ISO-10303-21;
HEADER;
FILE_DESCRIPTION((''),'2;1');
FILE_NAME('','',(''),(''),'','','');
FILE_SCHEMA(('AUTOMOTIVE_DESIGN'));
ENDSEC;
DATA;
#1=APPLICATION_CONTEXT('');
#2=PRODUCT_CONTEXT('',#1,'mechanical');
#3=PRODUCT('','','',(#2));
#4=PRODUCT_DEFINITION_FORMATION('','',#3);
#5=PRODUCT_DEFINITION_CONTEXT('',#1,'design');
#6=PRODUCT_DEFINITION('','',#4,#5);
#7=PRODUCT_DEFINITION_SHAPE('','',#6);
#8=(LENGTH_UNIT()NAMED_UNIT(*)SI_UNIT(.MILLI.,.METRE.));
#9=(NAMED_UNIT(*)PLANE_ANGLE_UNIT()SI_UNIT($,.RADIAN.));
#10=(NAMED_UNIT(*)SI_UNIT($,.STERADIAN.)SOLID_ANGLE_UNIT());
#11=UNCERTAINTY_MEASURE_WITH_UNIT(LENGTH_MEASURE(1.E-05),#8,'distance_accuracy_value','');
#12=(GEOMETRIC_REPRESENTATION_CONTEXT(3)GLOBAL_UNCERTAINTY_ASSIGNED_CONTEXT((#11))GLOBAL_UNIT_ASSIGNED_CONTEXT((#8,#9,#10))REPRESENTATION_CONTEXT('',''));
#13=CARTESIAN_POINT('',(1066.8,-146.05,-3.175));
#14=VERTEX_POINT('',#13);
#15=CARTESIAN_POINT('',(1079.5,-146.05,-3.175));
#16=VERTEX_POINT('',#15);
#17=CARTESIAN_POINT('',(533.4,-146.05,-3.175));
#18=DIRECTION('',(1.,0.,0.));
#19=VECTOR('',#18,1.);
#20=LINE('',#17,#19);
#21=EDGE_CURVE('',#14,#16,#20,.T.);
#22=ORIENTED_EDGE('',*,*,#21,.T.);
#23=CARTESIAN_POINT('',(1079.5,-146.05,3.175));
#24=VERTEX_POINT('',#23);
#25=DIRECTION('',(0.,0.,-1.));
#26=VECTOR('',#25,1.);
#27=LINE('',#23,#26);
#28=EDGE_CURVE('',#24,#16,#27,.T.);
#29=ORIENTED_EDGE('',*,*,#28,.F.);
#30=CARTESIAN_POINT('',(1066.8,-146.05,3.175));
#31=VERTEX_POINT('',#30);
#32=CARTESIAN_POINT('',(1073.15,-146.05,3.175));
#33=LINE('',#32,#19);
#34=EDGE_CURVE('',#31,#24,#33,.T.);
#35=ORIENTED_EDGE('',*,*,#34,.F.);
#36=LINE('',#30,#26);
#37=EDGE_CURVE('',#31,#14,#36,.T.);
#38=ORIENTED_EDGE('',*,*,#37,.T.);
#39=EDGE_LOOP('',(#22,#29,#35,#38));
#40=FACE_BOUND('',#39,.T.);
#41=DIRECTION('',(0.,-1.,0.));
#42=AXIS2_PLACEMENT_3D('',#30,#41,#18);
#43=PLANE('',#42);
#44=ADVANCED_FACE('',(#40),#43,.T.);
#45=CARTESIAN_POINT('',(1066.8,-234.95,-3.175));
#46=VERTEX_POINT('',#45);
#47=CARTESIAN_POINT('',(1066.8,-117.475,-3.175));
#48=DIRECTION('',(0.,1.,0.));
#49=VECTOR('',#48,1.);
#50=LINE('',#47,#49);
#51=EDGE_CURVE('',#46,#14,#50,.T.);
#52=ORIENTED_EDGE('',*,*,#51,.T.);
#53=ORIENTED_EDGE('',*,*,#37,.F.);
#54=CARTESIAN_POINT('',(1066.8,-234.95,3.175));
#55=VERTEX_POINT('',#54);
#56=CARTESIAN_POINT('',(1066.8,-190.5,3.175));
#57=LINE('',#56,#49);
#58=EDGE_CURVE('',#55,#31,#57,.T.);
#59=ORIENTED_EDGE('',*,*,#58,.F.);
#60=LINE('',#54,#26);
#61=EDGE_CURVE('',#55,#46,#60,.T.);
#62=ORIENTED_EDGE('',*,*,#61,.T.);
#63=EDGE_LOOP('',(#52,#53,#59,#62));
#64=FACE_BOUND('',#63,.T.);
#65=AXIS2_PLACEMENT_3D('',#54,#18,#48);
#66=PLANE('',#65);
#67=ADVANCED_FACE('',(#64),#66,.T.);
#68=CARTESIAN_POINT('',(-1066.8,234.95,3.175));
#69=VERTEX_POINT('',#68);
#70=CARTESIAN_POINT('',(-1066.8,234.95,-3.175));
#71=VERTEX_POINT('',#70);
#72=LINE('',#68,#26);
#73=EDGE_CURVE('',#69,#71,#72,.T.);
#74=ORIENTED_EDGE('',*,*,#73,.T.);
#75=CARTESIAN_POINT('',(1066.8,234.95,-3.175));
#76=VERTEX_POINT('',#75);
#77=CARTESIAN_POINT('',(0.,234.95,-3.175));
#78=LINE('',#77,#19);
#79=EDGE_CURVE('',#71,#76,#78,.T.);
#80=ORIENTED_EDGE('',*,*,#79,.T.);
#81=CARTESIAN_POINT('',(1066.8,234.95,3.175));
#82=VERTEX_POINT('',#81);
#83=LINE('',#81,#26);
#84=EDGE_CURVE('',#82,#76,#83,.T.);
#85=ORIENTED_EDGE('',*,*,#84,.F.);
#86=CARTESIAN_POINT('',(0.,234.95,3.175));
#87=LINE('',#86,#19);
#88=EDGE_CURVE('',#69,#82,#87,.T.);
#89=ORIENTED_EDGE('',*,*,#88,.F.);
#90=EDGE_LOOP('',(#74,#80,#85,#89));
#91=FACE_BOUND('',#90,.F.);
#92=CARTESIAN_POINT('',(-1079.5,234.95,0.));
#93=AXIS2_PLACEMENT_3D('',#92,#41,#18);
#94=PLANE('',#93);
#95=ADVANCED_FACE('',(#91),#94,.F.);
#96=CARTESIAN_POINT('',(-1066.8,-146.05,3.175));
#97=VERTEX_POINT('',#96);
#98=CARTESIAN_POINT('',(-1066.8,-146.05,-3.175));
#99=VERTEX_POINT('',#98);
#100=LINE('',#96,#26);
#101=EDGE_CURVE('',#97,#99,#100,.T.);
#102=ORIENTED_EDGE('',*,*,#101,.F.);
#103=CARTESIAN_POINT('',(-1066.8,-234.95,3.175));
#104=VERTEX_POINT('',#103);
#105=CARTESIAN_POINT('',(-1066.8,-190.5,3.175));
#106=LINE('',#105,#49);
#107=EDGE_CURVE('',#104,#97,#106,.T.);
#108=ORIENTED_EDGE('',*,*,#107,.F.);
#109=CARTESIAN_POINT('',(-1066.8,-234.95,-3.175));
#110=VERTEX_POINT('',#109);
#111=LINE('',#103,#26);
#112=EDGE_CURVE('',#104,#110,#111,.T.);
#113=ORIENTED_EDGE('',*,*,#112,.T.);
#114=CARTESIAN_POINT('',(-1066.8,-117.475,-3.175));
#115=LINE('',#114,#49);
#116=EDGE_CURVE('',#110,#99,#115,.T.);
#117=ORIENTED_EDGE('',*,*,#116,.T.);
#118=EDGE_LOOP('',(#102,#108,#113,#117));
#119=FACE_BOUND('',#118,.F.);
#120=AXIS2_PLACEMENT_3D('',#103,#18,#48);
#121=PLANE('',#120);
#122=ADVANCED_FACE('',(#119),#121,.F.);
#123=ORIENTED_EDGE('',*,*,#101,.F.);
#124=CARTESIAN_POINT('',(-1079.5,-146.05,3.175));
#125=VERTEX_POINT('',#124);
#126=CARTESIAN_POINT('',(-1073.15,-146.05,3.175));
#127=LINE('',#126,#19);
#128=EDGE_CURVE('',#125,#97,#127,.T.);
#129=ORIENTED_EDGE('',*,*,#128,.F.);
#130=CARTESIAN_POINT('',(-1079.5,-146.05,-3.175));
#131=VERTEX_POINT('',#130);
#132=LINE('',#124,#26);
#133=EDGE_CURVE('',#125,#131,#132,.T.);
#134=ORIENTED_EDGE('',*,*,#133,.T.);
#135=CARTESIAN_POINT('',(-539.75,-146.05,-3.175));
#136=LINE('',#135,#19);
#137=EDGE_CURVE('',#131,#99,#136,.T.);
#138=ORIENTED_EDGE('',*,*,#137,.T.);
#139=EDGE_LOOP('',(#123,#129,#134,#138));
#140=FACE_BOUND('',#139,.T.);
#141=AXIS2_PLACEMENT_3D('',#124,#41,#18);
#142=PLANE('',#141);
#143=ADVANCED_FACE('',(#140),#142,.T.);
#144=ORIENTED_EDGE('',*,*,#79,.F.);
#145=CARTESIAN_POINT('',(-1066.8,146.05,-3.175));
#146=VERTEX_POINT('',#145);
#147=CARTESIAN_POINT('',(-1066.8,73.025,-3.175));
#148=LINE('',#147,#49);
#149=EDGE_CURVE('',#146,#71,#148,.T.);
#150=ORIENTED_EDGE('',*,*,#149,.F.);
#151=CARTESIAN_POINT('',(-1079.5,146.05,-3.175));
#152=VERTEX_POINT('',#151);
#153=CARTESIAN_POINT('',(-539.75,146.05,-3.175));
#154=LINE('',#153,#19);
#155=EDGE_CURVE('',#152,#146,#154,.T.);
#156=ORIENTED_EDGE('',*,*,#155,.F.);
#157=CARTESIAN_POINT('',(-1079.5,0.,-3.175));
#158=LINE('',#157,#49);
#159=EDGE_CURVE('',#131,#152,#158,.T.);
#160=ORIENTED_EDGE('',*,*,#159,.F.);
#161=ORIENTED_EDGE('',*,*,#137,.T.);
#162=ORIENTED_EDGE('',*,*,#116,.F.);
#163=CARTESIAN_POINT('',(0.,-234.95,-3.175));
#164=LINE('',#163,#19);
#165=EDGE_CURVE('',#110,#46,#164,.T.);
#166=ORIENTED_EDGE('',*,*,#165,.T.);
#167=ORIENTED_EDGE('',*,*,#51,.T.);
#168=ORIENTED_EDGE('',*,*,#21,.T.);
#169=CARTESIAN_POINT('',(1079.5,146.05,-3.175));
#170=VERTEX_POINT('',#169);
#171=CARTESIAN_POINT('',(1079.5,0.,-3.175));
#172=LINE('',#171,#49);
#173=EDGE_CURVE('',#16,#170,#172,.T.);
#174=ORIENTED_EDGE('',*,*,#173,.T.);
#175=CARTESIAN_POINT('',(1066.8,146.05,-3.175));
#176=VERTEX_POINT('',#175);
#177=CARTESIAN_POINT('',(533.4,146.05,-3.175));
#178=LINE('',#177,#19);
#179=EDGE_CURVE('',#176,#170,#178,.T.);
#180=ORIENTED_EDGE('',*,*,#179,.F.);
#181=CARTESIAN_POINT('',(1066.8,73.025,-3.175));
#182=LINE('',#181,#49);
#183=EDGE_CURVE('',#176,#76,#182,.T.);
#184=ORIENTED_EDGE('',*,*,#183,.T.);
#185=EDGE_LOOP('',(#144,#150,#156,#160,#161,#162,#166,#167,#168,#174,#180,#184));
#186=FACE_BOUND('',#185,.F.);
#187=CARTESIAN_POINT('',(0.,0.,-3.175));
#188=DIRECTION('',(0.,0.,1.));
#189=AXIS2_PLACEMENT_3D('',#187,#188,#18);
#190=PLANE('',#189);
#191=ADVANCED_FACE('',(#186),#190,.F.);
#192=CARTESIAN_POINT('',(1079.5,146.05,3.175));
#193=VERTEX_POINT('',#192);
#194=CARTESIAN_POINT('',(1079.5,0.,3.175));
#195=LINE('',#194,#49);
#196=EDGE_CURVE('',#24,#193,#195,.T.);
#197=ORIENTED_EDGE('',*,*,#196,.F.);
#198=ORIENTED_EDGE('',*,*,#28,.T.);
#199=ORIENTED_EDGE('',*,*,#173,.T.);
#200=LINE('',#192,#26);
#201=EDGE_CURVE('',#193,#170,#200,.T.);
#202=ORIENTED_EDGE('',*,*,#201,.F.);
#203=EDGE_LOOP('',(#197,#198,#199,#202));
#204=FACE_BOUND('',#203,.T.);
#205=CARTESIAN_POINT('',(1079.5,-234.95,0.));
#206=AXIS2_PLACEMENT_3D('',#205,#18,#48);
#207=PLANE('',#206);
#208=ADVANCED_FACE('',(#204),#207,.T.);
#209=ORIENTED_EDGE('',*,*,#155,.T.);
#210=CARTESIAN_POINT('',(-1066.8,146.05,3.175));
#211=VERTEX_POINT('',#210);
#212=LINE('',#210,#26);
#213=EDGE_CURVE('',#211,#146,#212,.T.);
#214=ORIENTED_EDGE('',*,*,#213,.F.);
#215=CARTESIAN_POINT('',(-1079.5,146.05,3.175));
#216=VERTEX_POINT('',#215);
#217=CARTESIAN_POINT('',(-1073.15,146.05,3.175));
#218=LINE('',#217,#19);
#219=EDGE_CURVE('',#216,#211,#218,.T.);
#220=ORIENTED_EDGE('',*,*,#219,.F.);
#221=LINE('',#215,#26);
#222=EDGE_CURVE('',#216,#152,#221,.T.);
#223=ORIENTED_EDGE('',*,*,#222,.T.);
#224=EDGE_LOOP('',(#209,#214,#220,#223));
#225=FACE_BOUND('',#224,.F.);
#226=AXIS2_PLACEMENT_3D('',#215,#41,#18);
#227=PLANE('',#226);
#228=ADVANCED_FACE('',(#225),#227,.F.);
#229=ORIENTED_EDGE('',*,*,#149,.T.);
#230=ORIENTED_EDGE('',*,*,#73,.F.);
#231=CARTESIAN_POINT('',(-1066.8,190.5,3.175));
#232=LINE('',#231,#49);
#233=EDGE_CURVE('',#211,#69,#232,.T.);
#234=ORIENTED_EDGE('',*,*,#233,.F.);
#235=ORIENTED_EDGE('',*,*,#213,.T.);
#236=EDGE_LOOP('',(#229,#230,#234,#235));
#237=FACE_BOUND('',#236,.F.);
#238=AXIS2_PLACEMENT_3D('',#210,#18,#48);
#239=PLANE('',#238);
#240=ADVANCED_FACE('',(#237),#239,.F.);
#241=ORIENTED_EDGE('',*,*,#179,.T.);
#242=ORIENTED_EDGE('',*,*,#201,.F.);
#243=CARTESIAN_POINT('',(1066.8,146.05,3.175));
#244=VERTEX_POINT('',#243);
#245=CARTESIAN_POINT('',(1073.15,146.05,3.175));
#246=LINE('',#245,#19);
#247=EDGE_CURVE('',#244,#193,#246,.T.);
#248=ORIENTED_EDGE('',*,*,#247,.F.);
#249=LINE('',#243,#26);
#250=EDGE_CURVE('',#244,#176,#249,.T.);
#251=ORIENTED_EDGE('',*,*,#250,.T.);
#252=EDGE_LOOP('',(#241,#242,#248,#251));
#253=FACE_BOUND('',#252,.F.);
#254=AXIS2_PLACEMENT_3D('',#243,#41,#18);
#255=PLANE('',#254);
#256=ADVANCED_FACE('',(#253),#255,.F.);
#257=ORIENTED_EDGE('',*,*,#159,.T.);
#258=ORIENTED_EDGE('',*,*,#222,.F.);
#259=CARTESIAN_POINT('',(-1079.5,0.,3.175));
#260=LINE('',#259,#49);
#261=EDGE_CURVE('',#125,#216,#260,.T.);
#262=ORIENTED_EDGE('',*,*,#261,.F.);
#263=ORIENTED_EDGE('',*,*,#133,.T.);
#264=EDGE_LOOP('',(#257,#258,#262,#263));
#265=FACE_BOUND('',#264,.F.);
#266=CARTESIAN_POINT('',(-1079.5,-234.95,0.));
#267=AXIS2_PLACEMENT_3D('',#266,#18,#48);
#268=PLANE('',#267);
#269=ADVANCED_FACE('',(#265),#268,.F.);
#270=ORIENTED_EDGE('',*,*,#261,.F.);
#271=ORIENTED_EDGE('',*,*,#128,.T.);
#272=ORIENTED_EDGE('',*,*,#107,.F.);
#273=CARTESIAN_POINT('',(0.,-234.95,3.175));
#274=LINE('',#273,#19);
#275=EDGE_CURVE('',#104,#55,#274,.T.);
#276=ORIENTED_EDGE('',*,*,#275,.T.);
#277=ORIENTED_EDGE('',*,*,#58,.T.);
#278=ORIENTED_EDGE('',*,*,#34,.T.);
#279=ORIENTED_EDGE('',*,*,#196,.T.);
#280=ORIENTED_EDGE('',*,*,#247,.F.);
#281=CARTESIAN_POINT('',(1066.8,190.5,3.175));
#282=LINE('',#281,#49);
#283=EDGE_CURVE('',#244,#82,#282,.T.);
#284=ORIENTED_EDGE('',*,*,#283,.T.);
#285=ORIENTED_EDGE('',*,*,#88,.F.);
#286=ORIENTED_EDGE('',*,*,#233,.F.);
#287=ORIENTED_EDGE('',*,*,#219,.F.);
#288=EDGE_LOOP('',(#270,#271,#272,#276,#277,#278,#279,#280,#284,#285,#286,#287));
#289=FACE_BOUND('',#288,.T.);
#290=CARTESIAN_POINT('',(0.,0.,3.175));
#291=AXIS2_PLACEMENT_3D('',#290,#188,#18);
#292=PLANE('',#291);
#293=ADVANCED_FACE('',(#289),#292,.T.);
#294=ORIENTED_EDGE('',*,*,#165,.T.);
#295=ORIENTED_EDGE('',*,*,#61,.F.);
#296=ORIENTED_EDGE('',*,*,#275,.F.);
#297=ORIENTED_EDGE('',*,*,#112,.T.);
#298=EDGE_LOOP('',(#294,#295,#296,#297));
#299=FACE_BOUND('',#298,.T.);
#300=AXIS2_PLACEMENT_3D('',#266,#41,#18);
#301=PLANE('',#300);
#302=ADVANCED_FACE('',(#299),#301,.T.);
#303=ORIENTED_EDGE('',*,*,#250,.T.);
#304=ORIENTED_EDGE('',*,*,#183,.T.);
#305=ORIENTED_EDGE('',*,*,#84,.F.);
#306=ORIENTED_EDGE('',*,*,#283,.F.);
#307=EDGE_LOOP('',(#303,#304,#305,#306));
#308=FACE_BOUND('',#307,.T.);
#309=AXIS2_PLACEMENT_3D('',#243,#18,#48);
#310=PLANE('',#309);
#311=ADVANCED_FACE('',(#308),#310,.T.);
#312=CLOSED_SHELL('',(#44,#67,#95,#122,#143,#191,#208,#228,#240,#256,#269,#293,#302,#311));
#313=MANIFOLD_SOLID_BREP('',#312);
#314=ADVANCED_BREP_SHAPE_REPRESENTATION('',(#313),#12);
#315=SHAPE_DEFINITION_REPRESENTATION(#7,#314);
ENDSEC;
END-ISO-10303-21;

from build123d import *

# Parameters (mm, degrees)
F0_W     = 2159
F0_H     = 469.9
F1_DEPTH = 3.175
F2_W     = 12.7
F2_H     = 88.9
F3_DEPTH = 6.351


with BuildPart() as f1:
    # F0 (on Top) → F1 (new body, symmetric)
    with BuildSketch(Plane.XY):
        Rectangle(F0_W, F0_H)
    extrude(amount=F1_DEPTH, both=True)

    # F2 (on face) → F3 (cut, through all)
    with BuildSketch(Plane.XY.offset(3.175)):
        with Locations((-1073.15, 190.5)):
            Rectangle(F2_W, F2_H)
        with Locations((-1073.15, -190.5)):
            Rectangle(F2_W, F2_H)
        with Locations((1073.15, 190.5)):
            Rectangle(F2_W, F2_H)
        with Locations((1073.15, -190.5)):
            Rectangle(F2_W, F2_H)
    extrude(amount=-F3_DEPTH, mode=Mode.SUBTRACT)


solid = f1.part
